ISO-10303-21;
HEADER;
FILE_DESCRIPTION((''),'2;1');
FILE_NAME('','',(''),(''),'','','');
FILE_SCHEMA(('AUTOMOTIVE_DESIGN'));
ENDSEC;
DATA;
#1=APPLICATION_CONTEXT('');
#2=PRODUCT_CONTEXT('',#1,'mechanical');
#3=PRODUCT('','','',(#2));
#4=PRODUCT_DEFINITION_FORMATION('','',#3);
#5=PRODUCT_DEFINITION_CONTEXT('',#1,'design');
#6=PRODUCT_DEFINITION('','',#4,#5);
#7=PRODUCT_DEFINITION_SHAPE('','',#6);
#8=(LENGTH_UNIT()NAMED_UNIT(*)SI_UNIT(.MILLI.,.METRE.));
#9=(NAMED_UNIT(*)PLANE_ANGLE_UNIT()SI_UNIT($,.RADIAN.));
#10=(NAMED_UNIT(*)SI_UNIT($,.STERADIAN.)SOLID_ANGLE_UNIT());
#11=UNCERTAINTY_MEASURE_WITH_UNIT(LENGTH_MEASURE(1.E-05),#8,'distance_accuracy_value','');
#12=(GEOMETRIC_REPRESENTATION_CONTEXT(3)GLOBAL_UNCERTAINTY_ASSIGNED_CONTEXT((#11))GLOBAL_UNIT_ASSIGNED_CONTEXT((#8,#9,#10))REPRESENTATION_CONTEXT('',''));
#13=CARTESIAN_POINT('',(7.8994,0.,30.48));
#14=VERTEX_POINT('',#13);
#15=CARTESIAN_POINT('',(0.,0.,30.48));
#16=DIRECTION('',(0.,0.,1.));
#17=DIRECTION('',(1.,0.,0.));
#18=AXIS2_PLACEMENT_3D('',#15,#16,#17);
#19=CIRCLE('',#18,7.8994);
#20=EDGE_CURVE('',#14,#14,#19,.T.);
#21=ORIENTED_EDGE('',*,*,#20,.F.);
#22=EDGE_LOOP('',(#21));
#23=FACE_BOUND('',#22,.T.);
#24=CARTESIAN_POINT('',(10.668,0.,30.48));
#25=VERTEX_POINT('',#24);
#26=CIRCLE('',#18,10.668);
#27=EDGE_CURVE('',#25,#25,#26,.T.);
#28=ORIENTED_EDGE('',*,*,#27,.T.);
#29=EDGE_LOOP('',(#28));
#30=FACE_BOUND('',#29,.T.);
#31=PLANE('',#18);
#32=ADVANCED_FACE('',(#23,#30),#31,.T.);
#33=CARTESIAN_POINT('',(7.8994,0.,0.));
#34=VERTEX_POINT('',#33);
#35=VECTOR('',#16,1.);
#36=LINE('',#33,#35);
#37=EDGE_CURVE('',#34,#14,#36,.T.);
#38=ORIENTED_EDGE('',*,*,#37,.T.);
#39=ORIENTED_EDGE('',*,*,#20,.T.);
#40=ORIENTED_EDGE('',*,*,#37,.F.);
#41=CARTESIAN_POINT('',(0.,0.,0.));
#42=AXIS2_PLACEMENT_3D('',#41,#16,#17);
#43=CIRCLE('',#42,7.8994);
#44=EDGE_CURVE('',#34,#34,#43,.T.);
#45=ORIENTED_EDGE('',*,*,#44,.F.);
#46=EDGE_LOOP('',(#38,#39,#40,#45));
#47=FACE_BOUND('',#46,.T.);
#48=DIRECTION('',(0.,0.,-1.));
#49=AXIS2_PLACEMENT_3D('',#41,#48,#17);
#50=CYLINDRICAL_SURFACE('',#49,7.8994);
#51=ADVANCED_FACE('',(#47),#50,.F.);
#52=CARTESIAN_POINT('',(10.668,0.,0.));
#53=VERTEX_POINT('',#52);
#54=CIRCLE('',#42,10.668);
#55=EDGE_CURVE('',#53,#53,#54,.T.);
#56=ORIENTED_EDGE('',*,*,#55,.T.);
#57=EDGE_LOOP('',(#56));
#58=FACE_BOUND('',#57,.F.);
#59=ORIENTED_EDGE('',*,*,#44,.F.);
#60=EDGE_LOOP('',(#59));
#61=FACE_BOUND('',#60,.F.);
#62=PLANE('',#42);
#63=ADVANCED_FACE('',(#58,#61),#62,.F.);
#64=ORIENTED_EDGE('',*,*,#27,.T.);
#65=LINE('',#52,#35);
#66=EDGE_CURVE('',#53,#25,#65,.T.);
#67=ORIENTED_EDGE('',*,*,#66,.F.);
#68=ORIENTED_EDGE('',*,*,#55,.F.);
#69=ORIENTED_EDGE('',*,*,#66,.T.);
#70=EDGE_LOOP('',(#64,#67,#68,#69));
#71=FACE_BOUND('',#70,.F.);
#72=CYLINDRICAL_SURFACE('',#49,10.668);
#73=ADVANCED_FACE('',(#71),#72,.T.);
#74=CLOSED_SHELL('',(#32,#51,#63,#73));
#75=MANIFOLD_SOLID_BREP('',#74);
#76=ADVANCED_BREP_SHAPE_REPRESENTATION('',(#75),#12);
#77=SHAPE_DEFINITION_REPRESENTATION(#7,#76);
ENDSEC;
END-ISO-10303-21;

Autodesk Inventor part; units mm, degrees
ref_plane "YZ Plane" through (0, 0, 0) normal (1, 0, 0) x (0, 1, 0)
ref_plane "XZ Plane" through (0, 0, 0) normal (0, 1, 0) x (-1, 0, 0)
ref_plane "XY Plane" through (0, 0, 0) normal (0, 0, 1) x (1, 0, 0)
sketch "Sketch1" plane through (0, 0, 0) normal (0, 0, 1) x (1, 0, 0)
  circle A0 centre (0, 0) radius 7.8994
  circle A1 centre (0, 0) radius 10.668
  dimension "d0" = 15.7988
  dimension "d1" = 21.336
extrude "Extrusion1" add sketch "Sketch1" along normal blind 30.48
properties part number "AM Shifter cluster spacer" material "PVC-Piping"
